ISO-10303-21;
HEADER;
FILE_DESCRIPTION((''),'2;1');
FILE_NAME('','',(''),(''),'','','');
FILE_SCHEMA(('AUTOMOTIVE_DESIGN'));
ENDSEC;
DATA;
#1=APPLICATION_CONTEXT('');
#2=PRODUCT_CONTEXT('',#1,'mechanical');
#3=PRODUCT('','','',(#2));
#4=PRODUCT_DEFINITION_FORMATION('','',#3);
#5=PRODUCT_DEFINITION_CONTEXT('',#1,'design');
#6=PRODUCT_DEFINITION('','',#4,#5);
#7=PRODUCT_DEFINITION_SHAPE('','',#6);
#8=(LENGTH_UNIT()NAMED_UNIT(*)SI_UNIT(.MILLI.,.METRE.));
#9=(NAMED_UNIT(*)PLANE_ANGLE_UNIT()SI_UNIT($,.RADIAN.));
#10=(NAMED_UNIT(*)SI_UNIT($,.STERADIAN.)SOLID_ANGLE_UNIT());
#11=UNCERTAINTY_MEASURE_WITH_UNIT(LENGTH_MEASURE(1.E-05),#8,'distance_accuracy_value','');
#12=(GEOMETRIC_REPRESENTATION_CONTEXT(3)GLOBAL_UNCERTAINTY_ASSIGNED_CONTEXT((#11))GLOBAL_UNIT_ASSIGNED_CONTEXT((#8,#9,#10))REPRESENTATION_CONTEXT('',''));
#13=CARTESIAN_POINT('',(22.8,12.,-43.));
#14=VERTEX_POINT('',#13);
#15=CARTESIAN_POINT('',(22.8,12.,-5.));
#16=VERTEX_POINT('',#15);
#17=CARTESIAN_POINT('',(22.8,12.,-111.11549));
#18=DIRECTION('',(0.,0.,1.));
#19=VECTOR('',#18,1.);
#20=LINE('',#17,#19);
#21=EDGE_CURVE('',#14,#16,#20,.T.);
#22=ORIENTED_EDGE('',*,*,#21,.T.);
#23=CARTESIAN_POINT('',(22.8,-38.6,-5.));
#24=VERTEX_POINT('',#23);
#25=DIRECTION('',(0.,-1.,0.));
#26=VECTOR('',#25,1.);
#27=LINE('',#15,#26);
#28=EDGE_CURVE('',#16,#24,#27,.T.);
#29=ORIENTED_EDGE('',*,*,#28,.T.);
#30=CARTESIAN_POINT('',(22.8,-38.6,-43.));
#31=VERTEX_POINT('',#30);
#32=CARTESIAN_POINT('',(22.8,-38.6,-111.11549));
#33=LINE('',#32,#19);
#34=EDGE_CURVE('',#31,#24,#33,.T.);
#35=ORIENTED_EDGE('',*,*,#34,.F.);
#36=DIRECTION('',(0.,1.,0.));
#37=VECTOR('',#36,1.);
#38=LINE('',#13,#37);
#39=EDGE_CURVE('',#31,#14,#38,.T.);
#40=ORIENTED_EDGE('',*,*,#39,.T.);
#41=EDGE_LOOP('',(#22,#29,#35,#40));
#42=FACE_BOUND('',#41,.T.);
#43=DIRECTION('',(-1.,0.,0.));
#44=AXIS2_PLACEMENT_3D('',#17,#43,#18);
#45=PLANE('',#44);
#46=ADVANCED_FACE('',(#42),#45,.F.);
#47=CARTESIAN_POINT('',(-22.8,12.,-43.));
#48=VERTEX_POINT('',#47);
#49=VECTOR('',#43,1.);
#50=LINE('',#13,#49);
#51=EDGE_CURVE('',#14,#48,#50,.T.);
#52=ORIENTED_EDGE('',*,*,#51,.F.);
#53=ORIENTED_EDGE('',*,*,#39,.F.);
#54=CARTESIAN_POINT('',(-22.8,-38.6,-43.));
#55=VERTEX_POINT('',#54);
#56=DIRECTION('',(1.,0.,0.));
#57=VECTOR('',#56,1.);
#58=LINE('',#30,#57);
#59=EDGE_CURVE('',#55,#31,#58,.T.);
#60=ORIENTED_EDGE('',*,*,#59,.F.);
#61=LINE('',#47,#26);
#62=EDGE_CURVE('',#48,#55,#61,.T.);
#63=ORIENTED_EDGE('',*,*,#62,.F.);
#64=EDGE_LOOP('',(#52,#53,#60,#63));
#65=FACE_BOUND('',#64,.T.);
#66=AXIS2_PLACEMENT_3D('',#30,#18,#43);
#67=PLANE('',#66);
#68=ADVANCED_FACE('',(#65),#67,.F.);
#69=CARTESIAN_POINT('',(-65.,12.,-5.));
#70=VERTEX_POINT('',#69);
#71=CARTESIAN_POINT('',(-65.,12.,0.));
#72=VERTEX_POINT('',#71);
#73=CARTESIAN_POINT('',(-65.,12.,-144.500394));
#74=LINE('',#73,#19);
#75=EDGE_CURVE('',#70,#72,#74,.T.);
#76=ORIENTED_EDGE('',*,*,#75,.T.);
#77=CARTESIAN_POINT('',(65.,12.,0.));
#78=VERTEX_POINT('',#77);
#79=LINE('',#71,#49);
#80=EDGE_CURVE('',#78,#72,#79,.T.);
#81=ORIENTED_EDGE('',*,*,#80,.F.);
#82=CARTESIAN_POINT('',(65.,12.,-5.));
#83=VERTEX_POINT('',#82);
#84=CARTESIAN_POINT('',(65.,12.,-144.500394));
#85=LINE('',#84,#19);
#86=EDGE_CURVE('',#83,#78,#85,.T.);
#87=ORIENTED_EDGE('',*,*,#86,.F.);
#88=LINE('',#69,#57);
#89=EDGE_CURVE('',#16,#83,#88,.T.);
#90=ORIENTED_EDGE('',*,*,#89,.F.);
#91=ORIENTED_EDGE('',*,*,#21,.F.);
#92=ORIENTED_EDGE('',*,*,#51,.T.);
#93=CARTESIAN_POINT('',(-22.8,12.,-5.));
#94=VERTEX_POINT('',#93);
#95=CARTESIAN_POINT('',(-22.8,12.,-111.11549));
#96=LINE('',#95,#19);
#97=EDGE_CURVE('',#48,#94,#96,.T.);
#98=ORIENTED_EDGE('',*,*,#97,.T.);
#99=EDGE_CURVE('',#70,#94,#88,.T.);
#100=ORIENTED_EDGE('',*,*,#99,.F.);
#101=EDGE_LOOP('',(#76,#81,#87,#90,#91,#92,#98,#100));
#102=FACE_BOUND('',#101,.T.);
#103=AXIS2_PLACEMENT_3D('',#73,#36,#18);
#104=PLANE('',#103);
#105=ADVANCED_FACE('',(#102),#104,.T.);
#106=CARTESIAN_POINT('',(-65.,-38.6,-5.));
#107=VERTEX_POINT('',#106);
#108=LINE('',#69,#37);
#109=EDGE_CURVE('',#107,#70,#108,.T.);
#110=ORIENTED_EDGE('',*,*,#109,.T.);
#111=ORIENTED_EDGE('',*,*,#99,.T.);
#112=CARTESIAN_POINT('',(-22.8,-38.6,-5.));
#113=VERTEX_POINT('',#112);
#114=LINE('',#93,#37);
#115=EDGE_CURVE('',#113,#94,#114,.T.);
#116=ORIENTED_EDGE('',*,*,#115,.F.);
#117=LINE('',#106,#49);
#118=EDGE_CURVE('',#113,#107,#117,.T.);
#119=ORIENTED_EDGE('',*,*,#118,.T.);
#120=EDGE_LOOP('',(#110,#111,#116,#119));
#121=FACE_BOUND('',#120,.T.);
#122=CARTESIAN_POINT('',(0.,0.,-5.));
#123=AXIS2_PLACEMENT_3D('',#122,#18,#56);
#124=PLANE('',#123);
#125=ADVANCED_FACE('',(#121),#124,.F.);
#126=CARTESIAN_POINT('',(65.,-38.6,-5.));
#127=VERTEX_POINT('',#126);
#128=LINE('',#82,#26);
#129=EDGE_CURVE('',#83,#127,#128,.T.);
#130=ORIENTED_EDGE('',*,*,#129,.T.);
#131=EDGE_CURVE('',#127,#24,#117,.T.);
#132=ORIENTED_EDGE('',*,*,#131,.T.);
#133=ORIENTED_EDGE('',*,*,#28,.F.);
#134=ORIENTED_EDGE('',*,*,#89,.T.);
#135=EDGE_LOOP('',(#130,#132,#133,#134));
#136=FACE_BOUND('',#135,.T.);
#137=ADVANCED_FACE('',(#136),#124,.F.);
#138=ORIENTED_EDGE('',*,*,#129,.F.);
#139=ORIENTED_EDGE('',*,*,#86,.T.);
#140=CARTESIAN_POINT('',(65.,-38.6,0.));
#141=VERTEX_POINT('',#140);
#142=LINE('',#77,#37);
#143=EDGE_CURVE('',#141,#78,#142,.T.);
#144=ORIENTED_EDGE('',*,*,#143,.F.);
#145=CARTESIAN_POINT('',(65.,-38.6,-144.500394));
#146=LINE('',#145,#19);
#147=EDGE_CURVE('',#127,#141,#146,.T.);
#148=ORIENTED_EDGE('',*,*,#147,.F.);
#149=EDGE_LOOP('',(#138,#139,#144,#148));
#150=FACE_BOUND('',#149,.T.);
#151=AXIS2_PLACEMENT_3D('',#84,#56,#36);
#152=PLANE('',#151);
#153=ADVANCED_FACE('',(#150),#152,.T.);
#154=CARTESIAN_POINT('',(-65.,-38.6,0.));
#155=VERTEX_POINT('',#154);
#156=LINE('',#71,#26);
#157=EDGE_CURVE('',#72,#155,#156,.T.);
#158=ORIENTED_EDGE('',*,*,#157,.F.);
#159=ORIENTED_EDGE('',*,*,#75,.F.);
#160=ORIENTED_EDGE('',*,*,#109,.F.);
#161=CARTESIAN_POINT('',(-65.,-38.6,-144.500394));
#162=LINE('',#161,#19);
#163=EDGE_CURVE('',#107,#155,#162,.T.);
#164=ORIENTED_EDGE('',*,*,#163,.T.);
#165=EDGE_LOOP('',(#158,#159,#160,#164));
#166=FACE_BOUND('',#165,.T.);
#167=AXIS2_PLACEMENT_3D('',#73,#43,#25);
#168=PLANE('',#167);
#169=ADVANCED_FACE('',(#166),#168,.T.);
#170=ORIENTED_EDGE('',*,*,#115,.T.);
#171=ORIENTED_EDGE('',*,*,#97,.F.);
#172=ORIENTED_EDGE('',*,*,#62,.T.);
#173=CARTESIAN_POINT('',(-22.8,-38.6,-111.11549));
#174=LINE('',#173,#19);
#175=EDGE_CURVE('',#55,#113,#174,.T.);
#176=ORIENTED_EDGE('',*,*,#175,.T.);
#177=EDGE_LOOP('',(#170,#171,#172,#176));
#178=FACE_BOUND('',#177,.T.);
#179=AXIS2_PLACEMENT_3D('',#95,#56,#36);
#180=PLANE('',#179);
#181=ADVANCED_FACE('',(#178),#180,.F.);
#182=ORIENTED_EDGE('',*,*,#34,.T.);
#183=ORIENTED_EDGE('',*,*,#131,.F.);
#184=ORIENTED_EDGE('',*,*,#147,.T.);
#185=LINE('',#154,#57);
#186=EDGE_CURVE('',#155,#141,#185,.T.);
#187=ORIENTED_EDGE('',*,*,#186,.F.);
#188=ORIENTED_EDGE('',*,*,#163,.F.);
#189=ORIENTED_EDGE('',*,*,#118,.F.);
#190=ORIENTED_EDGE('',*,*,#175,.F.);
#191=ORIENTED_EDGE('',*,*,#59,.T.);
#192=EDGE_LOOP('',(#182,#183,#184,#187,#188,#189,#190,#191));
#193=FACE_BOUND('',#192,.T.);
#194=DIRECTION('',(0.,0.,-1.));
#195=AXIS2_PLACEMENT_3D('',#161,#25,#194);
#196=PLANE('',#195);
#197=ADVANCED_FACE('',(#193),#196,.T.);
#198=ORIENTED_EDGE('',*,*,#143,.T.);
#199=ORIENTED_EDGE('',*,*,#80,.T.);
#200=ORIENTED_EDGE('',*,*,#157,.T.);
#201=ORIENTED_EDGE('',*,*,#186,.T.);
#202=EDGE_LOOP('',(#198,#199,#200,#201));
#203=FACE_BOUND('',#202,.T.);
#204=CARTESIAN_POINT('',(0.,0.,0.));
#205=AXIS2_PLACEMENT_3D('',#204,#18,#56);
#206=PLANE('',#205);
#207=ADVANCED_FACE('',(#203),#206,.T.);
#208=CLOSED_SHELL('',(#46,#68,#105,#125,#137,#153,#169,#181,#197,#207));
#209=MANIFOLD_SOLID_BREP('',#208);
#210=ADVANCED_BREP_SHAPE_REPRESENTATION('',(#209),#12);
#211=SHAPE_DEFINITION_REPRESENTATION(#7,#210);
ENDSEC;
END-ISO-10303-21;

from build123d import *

# Parameters (mm, degrees)
SKETCH1_W           = 130
SKETCH1_H           = 50.6
BOSS_EXTRUDE1_DEPTH = 5
SKETCH2_W           = 45.6
SKETCH2_H           = 50.6
BOSS_EXTRUDE2_DEPTH = 38


with BuildPart() as part:
    # Sketch1 → Boss-Extrude1 (new body)
    with BuildSketch(Plane.XY):
        with Locations((0, -13.3)):
            Rectangle(SKETCH1_W, SKETCH1_H)
    extrude(amount=-BOSS_EXTRUDE1_DEPTH)

    # Sketch2 → Boss-Extrude2 (add)
    with BuildSketch(Plane(origin=(0, 0, -5), x_dir=(-1, 0, 0), z_dir=(0, 0, -1))):
        with Locations((0, -13.3)):
            Rectangle(SKETCH2_W, SKETCH2_H)
    extrude(amount=BOSS_EXTRUDE2_DEPTH)


solid = part.part
